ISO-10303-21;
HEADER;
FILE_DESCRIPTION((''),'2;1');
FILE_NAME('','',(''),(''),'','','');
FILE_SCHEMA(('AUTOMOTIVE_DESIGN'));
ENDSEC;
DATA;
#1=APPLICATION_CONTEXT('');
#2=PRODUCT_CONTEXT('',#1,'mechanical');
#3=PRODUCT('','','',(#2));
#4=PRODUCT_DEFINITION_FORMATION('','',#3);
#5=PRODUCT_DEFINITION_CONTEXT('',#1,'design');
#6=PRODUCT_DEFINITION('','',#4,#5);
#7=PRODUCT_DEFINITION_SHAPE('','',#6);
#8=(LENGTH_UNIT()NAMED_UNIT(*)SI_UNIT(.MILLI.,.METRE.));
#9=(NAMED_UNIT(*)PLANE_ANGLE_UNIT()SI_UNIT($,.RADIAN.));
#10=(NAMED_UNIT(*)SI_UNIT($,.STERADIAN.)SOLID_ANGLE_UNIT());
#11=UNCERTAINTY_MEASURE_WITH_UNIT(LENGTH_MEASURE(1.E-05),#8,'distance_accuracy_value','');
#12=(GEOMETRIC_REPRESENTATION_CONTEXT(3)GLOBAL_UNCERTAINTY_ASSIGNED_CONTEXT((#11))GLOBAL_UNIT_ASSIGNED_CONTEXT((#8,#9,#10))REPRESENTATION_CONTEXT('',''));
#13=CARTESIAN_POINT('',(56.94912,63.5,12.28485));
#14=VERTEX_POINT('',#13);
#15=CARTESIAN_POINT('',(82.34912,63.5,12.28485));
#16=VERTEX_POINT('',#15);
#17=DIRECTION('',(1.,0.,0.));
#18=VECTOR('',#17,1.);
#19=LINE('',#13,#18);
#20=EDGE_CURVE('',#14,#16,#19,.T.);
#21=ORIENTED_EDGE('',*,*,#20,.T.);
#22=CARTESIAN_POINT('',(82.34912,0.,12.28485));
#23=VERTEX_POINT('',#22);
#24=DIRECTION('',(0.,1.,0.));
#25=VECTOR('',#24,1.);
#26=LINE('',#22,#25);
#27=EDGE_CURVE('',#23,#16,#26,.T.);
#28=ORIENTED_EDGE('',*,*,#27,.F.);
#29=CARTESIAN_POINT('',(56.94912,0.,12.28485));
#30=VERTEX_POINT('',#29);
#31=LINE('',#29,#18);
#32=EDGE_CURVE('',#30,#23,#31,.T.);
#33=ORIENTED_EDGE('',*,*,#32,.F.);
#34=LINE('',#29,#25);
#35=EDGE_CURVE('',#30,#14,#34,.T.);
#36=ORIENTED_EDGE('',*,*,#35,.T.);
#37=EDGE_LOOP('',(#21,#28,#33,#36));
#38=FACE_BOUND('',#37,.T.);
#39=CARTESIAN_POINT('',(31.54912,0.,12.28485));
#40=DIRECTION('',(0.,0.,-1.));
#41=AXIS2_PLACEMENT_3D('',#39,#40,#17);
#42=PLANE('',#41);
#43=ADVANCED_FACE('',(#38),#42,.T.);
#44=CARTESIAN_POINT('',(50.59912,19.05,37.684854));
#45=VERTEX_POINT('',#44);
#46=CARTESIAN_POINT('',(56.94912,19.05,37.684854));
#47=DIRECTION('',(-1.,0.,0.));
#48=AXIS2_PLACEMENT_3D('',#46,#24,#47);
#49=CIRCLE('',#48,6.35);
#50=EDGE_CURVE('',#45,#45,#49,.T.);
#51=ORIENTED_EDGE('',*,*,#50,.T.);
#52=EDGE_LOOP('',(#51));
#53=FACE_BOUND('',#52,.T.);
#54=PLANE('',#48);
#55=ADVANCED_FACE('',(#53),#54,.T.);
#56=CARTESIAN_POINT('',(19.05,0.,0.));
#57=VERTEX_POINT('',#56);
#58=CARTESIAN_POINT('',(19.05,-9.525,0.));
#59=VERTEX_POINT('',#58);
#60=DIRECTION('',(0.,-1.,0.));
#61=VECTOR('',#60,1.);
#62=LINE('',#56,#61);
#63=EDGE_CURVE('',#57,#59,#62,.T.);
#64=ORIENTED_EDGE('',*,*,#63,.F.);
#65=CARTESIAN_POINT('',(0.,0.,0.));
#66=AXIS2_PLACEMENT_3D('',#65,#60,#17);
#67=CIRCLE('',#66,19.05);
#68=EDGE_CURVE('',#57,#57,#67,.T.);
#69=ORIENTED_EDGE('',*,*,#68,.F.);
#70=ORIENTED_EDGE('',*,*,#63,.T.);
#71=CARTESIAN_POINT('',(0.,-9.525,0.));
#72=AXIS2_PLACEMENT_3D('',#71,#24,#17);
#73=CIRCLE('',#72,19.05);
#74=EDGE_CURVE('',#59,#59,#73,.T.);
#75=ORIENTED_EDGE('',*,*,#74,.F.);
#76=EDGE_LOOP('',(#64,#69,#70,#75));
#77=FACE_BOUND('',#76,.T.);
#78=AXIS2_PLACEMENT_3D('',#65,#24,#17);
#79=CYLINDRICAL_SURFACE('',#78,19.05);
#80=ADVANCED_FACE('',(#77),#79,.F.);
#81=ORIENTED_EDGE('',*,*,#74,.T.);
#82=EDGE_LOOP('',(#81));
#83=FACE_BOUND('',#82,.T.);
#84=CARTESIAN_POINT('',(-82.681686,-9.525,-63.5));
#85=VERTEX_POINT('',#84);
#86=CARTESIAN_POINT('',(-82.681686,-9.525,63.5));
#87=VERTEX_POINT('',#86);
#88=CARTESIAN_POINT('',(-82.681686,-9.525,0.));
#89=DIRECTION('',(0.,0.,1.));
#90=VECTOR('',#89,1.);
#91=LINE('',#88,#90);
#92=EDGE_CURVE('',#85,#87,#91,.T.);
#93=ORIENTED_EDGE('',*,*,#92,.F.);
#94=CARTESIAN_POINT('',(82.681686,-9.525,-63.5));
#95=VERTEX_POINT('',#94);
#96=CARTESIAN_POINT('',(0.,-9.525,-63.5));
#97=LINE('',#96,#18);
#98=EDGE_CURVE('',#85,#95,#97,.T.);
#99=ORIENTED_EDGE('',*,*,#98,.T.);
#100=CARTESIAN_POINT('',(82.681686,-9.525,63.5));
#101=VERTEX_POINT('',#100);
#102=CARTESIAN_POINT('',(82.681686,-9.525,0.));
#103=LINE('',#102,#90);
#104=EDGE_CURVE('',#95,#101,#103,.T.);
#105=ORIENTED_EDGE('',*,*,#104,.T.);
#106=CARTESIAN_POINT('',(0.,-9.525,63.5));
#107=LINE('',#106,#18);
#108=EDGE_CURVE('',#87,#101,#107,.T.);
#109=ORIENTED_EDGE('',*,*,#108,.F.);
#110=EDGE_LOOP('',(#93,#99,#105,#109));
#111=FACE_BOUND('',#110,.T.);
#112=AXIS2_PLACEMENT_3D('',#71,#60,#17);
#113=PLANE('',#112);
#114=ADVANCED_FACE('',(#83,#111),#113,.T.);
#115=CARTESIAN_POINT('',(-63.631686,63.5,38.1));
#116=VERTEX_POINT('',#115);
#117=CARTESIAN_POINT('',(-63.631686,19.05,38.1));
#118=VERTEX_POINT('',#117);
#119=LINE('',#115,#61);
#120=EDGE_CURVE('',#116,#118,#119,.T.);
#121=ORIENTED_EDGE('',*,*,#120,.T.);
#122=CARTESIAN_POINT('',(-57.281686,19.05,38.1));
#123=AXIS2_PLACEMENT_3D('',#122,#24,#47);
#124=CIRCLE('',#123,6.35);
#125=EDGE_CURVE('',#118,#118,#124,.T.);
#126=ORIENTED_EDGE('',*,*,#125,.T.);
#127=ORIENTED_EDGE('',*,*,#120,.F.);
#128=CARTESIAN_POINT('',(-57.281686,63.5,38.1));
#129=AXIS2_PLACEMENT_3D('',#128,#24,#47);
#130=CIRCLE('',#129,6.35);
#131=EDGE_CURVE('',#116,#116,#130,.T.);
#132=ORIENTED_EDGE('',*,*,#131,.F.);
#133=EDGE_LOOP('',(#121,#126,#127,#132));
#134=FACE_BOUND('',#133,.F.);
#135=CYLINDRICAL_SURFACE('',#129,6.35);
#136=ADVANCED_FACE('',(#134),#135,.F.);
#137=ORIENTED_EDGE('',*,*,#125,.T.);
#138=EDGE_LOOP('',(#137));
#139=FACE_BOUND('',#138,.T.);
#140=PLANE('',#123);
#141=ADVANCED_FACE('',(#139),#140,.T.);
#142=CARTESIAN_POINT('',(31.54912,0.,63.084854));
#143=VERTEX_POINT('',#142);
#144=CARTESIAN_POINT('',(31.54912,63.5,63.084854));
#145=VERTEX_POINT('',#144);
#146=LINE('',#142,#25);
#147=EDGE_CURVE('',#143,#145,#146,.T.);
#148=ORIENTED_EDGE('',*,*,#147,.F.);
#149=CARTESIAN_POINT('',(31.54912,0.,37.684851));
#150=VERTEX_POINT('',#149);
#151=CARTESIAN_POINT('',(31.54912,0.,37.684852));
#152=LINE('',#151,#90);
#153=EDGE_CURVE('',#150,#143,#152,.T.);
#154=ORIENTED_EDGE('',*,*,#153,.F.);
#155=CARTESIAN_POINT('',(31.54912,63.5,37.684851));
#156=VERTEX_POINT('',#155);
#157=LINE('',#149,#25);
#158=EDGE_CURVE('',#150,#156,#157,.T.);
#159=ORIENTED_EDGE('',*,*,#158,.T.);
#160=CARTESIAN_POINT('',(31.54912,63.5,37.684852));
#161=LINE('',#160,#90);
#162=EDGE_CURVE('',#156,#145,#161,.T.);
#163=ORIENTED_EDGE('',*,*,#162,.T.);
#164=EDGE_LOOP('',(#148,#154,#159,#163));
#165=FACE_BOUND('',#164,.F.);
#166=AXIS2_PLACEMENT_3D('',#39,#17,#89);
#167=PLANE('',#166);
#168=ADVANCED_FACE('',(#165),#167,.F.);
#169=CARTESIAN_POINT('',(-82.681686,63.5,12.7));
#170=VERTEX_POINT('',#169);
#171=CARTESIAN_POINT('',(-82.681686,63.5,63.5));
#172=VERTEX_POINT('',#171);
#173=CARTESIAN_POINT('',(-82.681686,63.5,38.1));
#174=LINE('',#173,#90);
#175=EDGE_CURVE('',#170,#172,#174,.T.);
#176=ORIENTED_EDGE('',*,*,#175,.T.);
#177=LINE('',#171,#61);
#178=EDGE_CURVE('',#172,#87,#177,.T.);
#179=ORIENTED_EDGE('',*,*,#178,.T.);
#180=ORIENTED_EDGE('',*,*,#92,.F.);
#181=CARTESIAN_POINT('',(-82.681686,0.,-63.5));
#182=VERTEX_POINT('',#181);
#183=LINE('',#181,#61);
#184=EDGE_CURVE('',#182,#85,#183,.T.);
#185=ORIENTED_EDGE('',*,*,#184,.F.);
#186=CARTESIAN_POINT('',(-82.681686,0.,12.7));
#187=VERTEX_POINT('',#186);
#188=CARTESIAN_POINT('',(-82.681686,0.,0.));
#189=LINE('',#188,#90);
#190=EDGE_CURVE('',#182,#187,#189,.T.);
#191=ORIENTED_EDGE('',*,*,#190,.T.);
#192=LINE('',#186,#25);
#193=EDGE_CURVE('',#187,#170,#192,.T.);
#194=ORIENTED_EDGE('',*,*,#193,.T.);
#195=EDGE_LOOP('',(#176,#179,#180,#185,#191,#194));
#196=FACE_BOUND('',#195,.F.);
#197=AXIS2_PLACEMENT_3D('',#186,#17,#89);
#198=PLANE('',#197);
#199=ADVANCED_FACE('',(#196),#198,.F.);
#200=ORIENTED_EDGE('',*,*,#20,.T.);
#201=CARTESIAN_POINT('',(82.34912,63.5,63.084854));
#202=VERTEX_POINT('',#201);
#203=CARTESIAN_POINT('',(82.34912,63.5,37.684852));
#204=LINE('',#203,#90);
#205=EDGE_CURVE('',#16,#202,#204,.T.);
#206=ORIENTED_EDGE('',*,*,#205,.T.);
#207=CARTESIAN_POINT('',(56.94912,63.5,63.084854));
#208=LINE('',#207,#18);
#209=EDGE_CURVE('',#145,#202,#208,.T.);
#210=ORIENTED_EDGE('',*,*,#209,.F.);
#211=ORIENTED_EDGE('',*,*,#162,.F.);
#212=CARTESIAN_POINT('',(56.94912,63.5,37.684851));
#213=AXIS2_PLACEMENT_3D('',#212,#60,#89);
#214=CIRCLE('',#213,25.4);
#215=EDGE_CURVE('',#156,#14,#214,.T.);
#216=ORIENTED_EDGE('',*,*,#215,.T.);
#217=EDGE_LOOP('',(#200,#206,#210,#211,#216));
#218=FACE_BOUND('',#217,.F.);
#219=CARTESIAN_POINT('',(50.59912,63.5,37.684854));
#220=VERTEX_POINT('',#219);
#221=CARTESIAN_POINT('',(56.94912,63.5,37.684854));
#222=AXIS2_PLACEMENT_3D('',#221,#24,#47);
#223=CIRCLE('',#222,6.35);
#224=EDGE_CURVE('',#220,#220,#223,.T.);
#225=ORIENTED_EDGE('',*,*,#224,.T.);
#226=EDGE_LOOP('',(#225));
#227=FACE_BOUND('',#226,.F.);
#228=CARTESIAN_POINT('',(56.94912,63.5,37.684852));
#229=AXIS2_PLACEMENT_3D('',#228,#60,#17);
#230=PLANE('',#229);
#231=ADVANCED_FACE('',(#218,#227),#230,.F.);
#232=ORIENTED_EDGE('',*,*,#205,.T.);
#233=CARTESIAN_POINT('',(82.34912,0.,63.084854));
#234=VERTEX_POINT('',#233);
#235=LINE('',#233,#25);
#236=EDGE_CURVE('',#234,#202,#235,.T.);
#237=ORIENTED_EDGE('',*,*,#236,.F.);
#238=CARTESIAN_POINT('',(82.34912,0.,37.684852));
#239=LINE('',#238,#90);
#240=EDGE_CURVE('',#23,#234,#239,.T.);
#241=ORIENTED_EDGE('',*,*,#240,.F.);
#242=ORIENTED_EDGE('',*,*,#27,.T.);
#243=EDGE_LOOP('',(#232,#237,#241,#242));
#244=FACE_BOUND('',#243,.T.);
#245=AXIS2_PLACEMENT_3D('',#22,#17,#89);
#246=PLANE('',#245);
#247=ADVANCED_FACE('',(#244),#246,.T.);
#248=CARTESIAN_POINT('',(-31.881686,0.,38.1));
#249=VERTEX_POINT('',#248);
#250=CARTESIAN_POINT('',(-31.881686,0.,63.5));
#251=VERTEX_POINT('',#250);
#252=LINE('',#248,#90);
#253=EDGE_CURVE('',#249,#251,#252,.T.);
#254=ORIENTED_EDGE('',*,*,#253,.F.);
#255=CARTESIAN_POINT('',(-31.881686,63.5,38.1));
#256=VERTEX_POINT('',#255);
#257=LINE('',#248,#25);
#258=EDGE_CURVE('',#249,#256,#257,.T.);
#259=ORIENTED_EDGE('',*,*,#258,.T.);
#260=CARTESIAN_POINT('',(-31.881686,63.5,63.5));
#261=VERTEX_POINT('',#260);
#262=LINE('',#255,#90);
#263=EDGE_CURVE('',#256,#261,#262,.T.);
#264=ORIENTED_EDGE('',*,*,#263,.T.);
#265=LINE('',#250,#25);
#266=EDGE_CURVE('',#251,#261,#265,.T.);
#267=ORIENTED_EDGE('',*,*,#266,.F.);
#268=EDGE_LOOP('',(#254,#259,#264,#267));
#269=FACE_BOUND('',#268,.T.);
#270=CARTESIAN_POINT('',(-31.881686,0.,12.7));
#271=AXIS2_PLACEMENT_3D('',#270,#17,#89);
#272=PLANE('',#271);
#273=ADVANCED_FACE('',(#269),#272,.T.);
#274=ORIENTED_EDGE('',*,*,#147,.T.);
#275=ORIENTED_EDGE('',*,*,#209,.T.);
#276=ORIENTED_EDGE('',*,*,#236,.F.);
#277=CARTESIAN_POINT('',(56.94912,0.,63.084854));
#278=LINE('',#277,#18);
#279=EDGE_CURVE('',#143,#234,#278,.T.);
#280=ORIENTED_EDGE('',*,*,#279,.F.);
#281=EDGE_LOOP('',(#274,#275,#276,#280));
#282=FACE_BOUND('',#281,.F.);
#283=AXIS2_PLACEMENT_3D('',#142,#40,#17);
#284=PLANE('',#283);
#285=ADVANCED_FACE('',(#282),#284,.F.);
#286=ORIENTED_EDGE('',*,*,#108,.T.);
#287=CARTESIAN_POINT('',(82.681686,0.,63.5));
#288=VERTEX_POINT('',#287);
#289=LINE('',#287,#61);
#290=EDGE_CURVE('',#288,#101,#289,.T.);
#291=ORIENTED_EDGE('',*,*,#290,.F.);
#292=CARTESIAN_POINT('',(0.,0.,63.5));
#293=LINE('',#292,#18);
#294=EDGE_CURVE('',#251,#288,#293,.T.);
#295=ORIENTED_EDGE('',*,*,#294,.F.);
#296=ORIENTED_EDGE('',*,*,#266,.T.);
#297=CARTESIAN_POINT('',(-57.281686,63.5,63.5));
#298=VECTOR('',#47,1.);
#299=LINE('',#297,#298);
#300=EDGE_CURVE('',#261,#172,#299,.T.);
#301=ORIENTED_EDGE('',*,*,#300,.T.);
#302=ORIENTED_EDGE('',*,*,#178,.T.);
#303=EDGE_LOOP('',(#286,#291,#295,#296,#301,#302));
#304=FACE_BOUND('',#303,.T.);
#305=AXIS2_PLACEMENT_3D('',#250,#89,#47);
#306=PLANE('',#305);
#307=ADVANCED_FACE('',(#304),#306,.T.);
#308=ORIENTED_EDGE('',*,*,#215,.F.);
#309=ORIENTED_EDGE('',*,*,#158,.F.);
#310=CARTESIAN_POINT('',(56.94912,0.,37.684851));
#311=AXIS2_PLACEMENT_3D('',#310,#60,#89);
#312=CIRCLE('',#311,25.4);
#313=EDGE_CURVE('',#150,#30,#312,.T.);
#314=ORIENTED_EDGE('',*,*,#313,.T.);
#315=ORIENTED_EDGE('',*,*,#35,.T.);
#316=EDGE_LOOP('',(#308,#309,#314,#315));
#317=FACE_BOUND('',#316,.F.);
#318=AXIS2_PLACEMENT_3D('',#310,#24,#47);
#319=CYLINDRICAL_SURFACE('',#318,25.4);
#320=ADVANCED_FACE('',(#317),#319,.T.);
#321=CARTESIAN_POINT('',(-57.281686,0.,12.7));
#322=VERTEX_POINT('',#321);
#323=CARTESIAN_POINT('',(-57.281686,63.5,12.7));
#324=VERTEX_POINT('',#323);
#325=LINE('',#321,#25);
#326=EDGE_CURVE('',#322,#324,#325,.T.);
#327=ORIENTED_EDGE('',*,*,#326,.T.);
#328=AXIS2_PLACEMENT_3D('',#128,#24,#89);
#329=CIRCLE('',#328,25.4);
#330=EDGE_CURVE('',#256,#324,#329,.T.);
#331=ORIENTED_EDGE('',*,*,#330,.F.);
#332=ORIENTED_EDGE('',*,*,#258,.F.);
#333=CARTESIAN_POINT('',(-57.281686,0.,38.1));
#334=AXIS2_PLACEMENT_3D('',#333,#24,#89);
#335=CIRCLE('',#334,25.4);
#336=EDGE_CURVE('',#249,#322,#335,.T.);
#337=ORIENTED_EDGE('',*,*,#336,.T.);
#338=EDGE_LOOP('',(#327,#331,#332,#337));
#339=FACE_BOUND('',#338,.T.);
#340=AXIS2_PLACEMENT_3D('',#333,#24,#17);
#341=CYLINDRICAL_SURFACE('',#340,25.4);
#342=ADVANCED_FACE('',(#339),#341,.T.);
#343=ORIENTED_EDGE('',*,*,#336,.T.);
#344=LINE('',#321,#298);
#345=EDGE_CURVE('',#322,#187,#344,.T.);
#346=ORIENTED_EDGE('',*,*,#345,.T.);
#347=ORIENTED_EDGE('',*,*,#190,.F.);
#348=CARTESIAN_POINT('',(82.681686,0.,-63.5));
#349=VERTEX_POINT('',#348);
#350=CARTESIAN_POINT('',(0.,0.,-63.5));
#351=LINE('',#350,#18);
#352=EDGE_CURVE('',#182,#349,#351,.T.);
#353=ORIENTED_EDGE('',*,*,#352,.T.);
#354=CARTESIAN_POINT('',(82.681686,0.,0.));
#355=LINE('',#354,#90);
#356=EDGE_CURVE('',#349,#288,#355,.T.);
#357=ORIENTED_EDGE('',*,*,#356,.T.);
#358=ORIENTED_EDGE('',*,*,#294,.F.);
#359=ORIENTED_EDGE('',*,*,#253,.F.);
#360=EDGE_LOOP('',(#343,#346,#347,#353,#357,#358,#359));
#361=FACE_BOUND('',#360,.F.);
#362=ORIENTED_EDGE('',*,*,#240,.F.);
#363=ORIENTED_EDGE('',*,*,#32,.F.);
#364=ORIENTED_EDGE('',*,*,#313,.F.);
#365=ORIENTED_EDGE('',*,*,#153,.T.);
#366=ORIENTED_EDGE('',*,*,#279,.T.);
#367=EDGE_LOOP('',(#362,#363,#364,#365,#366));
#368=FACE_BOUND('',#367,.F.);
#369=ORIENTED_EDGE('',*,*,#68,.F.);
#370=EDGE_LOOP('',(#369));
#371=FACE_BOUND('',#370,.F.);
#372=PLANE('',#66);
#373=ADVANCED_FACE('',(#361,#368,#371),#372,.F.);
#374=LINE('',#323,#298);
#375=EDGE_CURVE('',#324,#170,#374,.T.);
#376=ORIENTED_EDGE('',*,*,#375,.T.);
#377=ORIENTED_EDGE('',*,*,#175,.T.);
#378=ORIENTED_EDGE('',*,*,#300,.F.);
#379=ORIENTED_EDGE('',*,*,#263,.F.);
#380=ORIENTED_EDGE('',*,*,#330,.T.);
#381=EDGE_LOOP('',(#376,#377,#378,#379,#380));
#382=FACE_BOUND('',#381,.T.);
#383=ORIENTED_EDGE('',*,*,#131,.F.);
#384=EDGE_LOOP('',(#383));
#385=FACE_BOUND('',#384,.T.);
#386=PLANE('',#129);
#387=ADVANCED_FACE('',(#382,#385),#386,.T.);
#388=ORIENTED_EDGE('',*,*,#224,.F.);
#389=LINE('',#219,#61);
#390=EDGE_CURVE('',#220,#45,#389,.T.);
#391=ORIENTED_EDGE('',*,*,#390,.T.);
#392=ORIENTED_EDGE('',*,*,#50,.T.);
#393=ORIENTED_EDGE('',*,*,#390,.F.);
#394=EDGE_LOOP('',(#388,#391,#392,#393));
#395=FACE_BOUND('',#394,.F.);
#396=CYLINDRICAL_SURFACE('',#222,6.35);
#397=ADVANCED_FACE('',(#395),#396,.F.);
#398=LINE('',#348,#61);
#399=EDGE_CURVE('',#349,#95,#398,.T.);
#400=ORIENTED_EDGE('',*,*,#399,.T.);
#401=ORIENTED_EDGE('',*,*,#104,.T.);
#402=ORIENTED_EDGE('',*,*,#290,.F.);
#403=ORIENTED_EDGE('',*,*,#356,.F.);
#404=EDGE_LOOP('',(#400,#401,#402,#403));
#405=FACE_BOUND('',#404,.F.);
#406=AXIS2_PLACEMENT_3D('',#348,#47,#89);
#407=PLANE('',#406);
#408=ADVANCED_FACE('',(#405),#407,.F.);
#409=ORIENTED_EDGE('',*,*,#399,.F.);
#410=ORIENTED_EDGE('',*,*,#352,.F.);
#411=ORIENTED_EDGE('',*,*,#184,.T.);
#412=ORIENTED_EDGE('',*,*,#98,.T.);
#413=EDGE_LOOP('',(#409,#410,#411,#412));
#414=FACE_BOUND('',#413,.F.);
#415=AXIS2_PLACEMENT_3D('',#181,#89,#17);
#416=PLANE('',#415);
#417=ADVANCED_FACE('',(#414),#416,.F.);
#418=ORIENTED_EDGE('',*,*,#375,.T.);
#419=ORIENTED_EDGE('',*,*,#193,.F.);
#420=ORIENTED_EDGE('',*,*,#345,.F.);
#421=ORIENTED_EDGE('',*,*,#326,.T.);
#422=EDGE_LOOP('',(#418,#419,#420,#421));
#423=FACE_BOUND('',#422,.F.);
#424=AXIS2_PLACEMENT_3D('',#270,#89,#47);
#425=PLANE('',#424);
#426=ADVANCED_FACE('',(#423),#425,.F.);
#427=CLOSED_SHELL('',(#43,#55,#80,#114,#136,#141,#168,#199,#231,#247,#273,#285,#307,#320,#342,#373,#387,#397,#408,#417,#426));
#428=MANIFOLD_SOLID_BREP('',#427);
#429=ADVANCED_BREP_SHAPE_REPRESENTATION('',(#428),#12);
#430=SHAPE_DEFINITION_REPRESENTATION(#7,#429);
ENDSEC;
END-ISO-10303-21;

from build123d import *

# Parameters (mm, degrees)
F0_W      = 165.363372
F0_H      = 127
F1_DEPTH  = 9.525
F2_W      = 50.8
F2_H      = 50.800003
F3_DEPTH  = 63.5
F4_W      = 50.8
F4_H      = 50.8
F5_DEPTH  = 63.5
F6_R      = 25.4
F7_R      = 19.05
F8_DEPTH  = 63.501
F9_R      = 19.05
F10_DEPTH = 63.501
F11_R     = 19.05
F12_DEPTH = 9.526
F13_R     = 6.35
F14_DEPTH = 44.45


with BuildPart() as f1:
    # F0 (on Front) → F1 (new body)
    with BuildSketch(Plane.XZ):
        Rectangle(F0_W, F0_H)
    extrude(amount=F1_DEPTH)

    # F2 (on Front) → F3 (join)
    with BuildSketch(Plane.XZ):
        with Locations((56.94912, 37.684852)):
            Rectangle(F2_W, F2_H)
    extrude(amount=-F3_DEPTH)

    # F4 (on face) → F5 (join)
    with BuildSketch(Plane(origin=(0, 0, 0), x_dir=(-1, 0, 0), z_dir=(0, 1, 0))):
        with Locations((57.281686, 38.1)):
            Rectangle(F4_W, F4_H)
    extrude(amount=F5_DEPTH)

    # F6
    f6_edges = [f1.edges().sort_by_distance(p)[0] for p in [
        (31.54912, 31.75, 12.284851),
        (-31.881686, 31.75, 12.7),
    ]]
    fillet(f6_edges, radius=F6_R)

    # F7 (on Front) → F8 (cut, through all)
    with BuildSketch(Plane.XZ):
        Circle(F7_R)
    extrude(amount=-F8_DEPTH, mode=Mode.SUBTRACT)

    # F9 (on Front) → F10 (cut, through all)
    with BuildSketch(Plane.XZ):
        Circle(F9_R)
    extrude(amount=-F10_DEPTH, mode=Mode.SUBTRACT)

    # F11 (on Front) → F12 (cut, through all)
    with BuildSketch(Plane.XZ):
        Circle(F11_R)
    extrude(amount=F12_DEPTH, mode=Mode.SUBTRACT)

    # F13 (on face) → F14 (cut)
    with BuildSketch(Plane(origin=(0, 63.5, 0), x_dir=(-1, 0, 0), z_dir=(0, 1, 0))):
        with Locations((-56.94912, 37.684854)):
            Circle(F13_R)
        with Locations((57.281686, 38.1)):
            Circle(F13_R)
    extrude(amount=-F14_DEPTH, mode=Mode.SUBTRACT)


solid = f1.part
